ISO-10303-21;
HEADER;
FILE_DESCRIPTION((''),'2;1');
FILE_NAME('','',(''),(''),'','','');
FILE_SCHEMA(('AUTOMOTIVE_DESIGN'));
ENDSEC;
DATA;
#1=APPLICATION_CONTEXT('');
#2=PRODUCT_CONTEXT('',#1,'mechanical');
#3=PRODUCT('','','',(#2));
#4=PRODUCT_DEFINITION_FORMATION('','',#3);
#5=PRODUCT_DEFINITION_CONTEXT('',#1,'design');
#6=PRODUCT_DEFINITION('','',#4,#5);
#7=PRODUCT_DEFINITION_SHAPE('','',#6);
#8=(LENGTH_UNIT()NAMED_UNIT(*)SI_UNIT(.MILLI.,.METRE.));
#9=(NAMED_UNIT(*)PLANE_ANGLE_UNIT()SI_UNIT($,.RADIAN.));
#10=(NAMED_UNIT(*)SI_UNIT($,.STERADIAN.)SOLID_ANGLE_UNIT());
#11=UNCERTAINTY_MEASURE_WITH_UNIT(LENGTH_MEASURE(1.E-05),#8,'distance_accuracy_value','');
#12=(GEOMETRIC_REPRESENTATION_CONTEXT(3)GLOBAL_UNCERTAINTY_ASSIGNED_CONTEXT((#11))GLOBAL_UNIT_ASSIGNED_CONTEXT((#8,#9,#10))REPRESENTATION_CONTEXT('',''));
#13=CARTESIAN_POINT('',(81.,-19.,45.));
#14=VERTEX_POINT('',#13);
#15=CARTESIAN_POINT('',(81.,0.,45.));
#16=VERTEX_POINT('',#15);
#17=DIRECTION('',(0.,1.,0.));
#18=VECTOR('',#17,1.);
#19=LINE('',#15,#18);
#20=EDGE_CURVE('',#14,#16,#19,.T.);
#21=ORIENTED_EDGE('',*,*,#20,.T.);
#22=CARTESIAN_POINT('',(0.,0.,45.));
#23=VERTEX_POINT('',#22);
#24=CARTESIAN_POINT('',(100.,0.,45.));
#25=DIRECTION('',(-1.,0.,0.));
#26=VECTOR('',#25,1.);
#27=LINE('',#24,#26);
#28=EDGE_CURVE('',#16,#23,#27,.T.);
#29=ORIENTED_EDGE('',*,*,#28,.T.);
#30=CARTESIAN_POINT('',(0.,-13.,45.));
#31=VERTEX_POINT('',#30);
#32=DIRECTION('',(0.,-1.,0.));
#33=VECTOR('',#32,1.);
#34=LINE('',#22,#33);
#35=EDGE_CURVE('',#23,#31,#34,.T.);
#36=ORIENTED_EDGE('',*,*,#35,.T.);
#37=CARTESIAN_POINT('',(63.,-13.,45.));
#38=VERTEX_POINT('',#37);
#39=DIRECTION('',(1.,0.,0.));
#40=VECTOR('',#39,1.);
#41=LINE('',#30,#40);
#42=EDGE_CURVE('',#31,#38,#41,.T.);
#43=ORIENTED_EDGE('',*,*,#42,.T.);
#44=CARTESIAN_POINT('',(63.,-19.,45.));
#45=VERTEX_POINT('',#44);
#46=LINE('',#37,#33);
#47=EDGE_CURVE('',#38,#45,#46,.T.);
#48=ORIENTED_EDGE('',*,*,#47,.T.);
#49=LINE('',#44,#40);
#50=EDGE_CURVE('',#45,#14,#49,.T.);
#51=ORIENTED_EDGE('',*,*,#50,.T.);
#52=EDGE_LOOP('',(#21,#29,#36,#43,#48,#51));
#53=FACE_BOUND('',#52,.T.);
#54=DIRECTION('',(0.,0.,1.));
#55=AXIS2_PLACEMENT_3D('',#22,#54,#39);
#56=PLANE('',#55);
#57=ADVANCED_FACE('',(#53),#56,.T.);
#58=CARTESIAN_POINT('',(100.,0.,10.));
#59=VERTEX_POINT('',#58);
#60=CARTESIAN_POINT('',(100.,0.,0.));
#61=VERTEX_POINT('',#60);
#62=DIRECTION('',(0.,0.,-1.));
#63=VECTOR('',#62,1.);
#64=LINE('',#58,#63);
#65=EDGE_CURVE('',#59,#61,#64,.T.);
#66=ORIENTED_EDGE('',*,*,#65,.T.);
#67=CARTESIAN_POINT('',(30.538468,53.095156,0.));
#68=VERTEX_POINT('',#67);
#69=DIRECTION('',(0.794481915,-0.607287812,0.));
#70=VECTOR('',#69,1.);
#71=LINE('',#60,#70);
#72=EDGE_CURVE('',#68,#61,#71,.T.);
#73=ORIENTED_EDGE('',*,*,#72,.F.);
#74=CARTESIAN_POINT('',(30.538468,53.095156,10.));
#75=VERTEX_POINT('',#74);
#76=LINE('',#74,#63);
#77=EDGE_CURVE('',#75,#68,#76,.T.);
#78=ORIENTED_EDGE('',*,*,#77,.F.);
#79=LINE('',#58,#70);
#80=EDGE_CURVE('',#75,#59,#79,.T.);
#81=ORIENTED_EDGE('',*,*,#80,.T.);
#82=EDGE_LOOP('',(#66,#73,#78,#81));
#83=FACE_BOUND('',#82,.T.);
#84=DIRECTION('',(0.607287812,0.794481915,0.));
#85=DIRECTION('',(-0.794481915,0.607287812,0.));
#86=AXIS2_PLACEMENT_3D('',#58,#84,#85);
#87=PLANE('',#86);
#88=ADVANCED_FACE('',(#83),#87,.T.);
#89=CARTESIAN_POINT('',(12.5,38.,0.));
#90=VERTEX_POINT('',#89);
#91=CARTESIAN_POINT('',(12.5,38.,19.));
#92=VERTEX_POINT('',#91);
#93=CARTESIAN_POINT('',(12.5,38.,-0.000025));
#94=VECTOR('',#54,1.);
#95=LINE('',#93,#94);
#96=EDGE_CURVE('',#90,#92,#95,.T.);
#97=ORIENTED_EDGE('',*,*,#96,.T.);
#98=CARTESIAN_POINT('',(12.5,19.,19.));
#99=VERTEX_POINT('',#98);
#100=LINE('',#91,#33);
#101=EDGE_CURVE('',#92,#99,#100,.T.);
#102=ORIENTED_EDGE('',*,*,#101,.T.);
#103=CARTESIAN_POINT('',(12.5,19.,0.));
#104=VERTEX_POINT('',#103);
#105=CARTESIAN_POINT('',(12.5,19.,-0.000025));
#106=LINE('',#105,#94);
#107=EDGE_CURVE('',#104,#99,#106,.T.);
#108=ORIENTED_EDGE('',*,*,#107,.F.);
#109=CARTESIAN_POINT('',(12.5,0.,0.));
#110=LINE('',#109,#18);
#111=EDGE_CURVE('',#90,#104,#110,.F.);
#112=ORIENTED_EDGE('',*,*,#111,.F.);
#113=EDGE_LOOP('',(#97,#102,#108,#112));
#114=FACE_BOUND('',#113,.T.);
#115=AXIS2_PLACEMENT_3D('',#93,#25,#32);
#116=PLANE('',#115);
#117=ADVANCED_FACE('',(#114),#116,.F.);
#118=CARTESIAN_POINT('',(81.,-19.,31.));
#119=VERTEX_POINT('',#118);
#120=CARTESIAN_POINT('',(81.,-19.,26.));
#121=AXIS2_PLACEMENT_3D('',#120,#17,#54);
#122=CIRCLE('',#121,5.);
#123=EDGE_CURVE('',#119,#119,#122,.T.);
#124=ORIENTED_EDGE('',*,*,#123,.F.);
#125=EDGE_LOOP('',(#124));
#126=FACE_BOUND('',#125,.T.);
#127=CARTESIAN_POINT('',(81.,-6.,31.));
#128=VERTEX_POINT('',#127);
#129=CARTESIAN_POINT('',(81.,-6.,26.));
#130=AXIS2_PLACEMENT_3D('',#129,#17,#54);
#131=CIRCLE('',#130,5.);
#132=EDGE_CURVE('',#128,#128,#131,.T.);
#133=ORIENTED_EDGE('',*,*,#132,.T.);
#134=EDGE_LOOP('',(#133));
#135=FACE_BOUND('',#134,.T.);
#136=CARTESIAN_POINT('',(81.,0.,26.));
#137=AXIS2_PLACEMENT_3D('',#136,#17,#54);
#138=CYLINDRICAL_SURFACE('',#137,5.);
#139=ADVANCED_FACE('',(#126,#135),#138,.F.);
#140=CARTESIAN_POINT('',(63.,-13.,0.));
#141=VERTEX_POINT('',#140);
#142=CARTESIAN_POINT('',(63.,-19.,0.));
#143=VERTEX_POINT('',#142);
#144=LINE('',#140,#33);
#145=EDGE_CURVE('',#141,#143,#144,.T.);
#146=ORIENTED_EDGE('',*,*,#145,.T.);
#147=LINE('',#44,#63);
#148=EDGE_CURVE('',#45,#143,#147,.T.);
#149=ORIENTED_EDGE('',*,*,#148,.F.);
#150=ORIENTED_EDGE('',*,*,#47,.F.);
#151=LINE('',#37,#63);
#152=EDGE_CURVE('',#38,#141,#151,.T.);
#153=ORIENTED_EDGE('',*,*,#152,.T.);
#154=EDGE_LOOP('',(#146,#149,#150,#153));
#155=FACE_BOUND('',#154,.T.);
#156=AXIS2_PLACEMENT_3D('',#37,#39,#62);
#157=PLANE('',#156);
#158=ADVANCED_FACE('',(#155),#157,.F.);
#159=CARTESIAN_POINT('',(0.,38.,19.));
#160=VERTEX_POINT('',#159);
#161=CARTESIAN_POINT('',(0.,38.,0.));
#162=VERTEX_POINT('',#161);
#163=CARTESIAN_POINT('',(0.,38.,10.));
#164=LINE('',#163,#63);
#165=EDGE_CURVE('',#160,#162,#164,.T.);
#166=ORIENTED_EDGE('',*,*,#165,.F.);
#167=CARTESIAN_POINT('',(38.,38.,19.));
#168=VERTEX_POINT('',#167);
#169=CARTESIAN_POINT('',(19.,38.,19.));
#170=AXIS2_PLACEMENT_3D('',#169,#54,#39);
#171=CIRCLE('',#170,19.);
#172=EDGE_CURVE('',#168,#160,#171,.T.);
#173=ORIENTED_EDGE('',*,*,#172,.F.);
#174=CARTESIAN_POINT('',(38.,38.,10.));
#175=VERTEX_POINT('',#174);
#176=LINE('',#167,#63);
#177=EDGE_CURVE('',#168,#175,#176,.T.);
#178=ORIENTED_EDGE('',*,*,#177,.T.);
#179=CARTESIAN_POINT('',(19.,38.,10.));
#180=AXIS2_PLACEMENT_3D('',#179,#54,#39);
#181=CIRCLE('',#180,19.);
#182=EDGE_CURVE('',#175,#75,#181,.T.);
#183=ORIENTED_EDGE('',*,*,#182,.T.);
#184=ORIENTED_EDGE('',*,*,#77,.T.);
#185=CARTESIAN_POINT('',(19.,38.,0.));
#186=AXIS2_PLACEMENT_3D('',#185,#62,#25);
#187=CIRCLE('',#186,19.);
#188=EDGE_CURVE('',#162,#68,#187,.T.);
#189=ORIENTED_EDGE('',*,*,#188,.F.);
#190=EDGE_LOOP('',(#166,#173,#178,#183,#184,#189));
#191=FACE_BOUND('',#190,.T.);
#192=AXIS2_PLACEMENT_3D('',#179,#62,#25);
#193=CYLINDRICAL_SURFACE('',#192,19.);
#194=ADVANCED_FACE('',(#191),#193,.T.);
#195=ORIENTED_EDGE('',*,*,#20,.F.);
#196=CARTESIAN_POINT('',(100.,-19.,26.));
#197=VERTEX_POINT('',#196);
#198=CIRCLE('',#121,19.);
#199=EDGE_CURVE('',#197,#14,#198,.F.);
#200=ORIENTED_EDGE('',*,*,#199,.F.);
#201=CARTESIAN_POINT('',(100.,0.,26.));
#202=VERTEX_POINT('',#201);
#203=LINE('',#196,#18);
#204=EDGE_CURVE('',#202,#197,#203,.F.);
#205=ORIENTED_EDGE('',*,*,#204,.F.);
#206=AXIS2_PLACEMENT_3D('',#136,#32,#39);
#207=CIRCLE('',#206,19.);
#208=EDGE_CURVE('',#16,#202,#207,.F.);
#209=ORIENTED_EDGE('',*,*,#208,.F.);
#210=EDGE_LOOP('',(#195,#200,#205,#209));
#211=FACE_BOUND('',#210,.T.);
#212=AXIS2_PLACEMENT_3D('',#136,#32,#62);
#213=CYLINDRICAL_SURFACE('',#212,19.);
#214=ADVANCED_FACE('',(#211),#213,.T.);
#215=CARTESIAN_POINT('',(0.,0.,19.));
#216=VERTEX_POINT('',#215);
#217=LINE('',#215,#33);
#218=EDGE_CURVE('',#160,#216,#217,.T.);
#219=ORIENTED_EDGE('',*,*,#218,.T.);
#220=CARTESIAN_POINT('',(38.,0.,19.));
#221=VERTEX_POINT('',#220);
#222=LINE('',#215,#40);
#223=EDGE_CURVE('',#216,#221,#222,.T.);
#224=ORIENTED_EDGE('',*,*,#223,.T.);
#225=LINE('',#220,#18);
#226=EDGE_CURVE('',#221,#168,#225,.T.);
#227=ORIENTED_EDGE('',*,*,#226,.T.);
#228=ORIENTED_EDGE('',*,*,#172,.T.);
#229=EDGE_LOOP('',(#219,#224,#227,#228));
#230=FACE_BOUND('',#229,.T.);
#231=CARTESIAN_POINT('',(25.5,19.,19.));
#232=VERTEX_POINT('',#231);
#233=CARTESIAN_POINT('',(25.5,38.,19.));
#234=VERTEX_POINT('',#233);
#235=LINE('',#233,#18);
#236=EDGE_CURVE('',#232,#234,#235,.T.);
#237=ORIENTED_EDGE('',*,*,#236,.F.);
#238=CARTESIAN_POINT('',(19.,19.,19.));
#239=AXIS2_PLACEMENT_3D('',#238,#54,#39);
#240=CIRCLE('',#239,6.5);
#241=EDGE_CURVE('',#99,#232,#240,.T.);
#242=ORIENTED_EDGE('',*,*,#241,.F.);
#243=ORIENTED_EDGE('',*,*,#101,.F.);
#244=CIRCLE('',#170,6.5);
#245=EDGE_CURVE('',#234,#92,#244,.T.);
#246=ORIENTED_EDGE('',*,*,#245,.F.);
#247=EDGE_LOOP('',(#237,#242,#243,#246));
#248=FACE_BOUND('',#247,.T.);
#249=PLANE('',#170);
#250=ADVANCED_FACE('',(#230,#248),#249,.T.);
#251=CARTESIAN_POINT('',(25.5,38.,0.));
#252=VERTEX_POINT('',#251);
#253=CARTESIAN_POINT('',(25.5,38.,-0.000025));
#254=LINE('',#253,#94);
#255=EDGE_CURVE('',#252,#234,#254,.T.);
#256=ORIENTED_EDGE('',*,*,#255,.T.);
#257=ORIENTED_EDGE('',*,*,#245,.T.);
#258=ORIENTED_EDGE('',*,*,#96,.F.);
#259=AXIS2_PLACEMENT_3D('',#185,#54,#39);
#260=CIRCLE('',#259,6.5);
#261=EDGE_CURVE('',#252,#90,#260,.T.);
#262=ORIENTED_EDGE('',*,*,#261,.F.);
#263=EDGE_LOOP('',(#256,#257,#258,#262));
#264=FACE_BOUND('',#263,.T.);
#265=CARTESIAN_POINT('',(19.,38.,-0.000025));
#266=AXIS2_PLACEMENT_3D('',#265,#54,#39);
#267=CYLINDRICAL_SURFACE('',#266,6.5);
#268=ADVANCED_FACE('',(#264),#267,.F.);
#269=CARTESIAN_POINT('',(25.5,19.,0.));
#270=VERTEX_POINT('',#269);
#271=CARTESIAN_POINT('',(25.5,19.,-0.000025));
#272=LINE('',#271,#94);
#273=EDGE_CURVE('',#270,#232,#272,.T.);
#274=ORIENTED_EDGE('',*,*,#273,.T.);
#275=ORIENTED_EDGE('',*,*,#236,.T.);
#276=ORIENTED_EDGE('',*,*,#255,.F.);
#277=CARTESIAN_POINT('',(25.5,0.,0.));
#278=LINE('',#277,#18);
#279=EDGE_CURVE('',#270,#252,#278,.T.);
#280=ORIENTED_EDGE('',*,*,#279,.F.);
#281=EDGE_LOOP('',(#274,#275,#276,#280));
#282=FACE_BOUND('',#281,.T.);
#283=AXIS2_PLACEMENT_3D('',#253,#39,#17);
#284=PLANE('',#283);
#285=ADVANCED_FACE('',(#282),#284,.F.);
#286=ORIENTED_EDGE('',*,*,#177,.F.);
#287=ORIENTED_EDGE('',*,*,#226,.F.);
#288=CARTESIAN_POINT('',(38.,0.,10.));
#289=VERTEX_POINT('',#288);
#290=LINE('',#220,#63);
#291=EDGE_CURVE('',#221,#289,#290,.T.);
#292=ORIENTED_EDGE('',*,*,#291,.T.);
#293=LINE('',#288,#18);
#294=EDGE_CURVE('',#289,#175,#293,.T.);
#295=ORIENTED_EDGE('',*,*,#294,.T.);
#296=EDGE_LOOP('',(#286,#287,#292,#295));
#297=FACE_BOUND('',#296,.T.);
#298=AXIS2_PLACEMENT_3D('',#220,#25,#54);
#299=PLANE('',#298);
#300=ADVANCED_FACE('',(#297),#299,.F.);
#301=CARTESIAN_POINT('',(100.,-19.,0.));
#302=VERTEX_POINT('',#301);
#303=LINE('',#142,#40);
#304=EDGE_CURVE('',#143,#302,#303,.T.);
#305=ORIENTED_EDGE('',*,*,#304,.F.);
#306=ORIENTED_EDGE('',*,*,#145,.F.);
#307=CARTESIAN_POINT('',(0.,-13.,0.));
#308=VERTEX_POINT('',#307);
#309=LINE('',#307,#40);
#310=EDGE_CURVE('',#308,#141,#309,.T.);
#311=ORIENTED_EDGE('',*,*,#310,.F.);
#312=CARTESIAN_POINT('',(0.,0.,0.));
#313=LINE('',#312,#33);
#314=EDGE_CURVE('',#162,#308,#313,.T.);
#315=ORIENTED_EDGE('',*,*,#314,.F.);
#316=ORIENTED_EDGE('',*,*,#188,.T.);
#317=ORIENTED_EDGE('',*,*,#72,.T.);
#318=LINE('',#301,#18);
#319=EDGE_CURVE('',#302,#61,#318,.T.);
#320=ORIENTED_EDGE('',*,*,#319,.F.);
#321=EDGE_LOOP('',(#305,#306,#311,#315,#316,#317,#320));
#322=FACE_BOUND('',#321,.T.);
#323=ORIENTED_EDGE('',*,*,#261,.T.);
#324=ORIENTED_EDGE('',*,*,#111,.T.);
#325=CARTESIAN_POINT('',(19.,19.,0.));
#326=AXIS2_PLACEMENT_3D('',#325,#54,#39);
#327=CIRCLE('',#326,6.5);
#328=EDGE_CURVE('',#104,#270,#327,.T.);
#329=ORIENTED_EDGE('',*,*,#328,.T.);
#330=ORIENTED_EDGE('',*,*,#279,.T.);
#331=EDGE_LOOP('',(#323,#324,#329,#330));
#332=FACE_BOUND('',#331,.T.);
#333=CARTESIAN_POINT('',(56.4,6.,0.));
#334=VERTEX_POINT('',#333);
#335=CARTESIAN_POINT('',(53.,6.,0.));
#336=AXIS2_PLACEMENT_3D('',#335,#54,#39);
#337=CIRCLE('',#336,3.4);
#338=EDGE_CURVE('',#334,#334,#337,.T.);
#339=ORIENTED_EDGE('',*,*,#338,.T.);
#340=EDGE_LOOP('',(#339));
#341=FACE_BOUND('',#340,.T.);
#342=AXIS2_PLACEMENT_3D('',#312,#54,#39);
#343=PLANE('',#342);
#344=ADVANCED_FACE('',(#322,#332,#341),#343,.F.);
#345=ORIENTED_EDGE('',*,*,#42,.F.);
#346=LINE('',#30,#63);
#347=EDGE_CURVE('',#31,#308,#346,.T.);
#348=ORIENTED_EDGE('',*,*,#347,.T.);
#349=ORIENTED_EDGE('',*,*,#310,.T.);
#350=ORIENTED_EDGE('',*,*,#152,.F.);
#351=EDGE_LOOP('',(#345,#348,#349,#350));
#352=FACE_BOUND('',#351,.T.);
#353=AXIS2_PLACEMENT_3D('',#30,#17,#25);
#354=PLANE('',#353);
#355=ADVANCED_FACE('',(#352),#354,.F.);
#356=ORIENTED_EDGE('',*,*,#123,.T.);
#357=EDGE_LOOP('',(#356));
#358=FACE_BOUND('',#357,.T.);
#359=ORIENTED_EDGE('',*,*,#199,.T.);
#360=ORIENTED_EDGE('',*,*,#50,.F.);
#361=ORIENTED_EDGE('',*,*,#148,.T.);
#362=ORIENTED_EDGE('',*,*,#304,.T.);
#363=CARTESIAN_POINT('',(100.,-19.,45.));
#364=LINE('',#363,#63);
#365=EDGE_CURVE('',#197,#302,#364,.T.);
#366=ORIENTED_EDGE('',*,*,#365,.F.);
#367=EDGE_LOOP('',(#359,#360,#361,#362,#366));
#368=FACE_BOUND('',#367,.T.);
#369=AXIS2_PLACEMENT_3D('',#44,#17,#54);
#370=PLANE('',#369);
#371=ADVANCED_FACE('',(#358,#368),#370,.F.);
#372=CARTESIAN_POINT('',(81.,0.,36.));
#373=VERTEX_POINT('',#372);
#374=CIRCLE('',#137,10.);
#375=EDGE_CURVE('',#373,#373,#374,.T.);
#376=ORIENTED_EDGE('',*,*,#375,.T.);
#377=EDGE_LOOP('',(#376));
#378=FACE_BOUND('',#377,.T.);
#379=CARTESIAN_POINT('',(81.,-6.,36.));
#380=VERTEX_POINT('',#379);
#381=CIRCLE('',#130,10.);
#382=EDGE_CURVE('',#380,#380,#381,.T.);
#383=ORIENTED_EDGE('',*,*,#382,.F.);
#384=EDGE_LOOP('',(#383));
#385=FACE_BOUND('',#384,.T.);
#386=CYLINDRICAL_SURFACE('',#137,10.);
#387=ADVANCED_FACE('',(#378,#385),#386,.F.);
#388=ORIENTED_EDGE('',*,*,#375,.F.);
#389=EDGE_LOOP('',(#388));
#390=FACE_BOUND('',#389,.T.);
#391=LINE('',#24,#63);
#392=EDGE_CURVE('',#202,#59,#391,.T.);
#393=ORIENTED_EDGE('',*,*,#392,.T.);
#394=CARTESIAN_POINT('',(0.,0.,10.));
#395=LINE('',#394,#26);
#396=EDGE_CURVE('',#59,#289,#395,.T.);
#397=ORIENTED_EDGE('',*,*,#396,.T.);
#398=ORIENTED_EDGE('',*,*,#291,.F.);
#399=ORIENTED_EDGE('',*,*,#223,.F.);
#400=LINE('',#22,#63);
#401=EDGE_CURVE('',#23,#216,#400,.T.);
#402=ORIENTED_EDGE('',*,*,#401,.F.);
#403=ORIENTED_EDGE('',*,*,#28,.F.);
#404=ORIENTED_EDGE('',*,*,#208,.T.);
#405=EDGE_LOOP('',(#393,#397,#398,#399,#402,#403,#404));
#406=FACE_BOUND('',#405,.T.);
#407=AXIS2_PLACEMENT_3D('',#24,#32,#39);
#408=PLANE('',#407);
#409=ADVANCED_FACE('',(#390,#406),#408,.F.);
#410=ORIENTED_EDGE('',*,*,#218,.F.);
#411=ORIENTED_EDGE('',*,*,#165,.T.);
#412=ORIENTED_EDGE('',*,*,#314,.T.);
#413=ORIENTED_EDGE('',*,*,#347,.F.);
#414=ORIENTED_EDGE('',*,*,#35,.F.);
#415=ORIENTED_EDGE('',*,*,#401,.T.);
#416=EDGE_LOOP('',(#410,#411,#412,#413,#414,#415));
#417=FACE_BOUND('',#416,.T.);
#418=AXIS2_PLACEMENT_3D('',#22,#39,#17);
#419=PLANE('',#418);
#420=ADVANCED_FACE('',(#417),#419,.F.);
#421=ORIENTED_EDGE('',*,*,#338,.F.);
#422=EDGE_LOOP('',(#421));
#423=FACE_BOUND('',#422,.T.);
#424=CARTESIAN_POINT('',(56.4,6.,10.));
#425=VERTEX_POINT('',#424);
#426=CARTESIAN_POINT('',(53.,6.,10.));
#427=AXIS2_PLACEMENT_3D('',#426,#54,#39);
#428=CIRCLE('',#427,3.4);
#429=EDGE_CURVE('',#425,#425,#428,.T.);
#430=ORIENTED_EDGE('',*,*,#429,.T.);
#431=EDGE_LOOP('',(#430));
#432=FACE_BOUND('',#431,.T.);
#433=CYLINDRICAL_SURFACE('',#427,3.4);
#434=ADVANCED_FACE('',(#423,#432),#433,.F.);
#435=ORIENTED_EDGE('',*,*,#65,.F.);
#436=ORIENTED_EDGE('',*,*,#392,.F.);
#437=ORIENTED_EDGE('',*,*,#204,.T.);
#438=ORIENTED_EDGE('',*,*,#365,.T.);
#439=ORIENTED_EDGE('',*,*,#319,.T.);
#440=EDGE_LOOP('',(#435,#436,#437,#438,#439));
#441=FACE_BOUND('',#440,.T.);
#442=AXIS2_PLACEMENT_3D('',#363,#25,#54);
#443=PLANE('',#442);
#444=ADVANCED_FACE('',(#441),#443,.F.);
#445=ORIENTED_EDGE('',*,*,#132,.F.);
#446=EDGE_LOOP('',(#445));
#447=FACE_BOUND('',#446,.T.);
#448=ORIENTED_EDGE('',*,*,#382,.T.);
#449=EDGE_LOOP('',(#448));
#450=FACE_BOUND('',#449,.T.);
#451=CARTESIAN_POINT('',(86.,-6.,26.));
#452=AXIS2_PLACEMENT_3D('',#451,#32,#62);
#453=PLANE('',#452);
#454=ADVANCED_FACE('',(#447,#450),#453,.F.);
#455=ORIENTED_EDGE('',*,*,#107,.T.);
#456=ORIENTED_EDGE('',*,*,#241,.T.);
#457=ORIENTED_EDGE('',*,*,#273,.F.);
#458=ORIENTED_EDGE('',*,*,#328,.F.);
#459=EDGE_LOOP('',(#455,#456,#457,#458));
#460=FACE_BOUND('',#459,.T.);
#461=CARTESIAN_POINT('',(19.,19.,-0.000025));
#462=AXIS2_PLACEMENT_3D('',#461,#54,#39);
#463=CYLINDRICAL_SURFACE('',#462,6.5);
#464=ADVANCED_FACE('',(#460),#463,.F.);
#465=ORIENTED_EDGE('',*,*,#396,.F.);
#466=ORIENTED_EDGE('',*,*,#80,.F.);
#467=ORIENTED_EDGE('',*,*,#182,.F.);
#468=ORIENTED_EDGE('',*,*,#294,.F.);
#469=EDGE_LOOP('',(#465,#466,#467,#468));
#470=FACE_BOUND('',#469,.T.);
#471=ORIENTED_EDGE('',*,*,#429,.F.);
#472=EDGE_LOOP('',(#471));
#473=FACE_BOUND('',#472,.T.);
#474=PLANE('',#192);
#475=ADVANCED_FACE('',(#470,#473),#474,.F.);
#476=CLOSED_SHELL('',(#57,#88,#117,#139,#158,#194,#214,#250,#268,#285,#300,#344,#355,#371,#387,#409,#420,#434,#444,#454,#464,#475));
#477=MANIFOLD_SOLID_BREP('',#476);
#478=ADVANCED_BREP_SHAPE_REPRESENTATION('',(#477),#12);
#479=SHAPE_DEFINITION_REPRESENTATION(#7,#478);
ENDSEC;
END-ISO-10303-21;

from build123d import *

# Parameters (mm, degrees)
BOSS_EXTRUDE1_DEPTH = 45
BOSS_EXTRUDE2_DEPTH = 10
BOSS_EXTRUDE3_DEPTH = 9
CUT_EXTRUDE1_DEPTH  = 119.004237212
FILLET1_R           = 19
HOLE1_D             = 10
HOLE1_CBORE_D       = 20
HOLE1_CBORE_DEPTH   = 6
M8_TAPPED_HOLE2_D   = 6.8


with BuildPart() as part:
    # Sketch1 → Boss-Extrude1 (new body)
    with BuildSketch(Plane.XY):
        Polygon((0, 0), (0, -13), (63, -13), (63, -19), (100, -19), (100, 0), align=None)
    extrude(amount=BOSS_EXTRUDE1_DEPTH)

    # Sketch2 → Boss-Extrude2 (add)
    with BuildSketch(Plane(origin=(0, 0, 0), x_dir=(-1, 0, 0), z_dir=(0, 0, -1))):
        with BuildLine():
            Line((0, 0), (0, 38))
            ThreePointArc((0, 38), (-10.580703715, 55.032775759), (-30.538468428, 53.095156386))
            Line((-30.538468428, 53.095156386), (-100, 0))
            Line((-100, 0), (0, 0))
        make_face()
    extrude(amount=-BOSS_EXTRUDE2_DEPTH)

    # Sketch4 → Boss-Extrude3 (add)
    with BuildSketch(Plane.XY.offset(10)):
        with BuildLine():
            Line((0, 0), (0, 38))
            ThreePointArc((0, 38), (19, 57), (38, 38))
            Line((38, 38), (38, 0))
            Line((38, 0), (0, 0))
        make_face()
    extrude(amount=BOSS_EXTRUDE3_DEPTH)

    # Sketch5 → Cut-Extrude1 (cut, through all)
    with BuildSketch(Plane.XY.offset(19)):
        with BuildLine():
            Line((25.5, 38), (25.5, 19))
            ThreePointArc((25.5, 19), (19, 12.5), (12.5, 19))
            Line((12.5, 19), (12.5, 38))
            ThreePointArc((12.5, 38), (19, 44.5), (25.5, 38))
        make_face()
    extrude(amount=-CUT_EXTRUDE1_DEPTH, mode=Mode.SUBTRACT)

    # Fillet1
    fillet1_edges = [part.edges().sort_by_distance(p)[0] for p in [
        (100, -9.5, 45),
    ]]
    fillet(fillet1_edges, radius=FILLET1_R)

    # Hole1 (through all)
    with Locations(Plane(origin=(81, 0, 26), x_dir=(1, 0, 0), z_dir=(0, 1, 0))):
        with Locations((0, 0)):
            CounterBoreHole(HOLE1_D / 2, HOLE1_CBORE_D / 2, HOLE1_CBORE_DEPTH)

    # M8 Tapped Hole2 (through all)
    with Locations(Plane(origin=(53, 6, 10), x_dir=(1, 0, 0), z_dir=(0, 0, 1))):
        with Locations((0, 0)):
            Hole(M8_TAPPED_HOLE2_D / 2)


solid = part.part
